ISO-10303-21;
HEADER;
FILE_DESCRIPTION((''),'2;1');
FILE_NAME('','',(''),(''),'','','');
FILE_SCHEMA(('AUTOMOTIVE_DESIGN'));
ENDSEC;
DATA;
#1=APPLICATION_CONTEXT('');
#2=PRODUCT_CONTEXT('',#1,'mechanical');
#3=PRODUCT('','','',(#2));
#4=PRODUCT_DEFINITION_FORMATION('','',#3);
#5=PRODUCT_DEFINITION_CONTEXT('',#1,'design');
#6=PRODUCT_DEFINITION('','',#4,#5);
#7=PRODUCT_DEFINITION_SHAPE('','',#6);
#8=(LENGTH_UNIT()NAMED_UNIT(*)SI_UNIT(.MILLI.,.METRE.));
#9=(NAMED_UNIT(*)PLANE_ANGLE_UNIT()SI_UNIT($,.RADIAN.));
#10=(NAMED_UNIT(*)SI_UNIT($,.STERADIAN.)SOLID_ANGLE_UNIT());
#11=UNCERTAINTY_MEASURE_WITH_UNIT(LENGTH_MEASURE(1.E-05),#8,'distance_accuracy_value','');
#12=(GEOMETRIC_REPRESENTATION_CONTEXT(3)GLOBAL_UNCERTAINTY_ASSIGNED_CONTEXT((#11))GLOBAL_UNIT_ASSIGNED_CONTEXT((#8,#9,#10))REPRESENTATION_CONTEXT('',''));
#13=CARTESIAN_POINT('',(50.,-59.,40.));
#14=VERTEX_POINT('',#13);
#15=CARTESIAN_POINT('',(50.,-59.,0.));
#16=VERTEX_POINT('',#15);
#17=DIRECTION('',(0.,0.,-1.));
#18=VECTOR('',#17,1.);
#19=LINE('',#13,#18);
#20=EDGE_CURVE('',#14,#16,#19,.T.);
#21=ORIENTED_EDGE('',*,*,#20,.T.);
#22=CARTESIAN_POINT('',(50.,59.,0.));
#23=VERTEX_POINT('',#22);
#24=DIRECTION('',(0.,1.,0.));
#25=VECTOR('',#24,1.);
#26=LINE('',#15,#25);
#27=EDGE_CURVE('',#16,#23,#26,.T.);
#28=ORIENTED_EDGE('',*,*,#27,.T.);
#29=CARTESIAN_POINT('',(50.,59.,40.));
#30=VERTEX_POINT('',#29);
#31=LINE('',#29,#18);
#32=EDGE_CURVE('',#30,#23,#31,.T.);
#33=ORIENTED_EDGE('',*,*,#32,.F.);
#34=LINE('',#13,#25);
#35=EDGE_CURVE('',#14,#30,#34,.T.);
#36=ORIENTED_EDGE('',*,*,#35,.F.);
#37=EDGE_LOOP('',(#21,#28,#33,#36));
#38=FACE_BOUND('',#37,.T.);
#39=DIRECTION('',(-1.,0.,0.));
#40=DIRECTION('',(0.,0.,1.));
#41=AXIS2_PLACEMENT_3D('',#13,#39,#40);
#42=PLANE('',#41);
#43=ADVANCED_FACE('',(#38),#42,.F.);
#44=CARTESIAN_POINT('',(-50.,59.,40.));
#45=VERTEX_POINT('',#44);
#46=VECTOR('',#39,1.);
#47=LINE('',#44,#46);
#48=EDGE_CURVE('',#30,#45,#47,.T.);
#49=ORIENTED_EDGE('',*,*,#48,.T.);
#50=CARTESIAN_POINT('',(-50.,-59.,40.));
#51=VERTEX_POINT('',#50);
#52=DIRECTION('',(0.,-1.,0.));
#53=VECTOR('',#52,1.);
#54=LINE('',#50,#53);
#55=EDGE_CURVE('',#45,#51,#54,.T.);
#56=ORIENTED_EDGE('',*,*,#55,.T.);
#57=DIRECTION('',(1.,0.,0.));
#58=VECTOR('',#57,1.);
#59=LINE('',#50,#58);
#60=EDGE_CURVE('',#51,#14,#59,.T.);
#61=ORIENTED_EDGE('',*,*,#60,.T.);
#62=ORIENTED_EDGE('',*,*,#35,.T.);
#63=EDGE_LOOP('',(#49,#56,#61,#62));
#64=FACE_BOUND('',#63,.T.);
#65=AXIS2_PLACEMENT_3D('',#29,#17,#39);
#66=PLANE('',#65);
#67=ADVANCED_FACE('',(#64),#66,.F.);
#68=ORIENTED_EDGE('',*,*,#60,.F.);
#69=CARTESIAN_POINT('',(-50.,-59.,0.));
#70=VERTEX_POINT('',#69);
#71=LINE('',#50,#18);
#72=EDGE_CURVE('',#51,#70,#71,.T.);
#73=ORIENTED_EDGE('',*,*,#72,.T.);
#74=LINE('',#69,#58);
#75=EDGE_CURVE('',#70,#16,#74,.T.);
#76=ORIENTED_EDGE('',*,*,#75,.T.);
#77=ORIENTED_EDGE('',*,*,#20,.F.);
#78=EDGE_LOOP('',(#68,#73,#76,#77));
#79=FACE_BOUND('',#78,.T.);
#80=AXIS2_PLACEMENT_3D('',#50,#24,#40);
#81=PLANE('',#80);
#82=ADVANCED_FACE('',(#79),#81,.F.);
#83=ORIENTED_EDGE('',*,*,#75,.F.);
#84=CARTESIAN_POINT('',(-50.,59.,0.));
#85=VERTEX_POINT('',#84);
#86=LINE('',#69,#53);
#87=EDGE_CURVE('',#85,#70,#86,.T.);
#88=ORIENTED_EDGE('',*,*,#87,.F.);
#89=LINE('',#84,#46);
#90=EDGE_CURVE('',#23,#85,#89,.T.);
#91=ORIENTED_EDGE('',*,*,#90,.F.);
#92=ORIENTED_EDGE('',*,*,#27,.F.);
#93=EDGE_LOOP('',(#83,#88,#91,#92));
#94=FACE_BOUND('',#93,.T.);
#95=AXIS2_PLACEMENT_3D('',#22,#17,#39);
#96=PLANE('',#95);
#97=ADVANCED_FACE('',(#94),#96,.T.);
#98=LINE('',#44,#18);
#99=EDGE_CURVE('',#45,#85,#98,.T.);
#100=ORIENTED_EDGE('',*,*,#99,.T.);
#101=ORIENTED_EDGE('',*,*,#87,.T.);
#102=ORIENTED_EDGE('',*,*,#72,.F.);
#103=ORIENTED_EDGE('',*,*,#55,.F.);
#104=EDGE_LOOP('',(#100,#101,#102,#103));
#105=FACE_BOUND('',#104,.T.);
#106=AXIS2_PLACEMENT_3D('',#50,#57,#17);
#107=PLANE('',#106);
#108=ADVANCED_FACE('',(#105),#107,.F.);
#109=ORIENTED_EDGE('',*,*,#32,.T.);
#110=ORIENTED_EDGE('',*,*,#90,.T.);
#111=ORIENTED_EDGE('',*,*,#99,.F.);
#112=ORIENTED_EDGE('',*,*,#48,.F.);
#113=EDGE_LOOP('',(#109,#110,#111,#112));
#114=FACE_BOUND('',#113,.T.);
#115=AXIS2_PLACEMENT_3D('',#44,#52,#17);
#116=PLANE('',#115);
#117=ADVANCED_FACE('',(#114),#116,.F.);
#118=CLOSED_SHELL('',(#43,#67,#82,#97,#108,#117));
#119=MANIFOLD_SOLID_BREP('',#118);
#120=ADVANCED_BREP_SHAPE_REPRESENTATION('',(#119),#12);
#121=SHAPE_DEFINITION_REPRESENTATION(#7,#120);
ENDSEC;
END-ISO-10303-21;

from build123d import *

# Parameters (mm, degrees)
SKETCH_1_W      = 100
SKETCH_1_H      = 118
EXTRUDE_1_DEPTH = 40


with BuildPart() as part:
    # Эскиз1 → Бобышка-Вытянуть1 (new body)
    with BuildSketch(Plane.XY):
        Rectangle(SKETCH_1_W, SKETCH_1_H)
    extrude(amount=EXTRUDE_1_DEPTH)


solid = part.part
